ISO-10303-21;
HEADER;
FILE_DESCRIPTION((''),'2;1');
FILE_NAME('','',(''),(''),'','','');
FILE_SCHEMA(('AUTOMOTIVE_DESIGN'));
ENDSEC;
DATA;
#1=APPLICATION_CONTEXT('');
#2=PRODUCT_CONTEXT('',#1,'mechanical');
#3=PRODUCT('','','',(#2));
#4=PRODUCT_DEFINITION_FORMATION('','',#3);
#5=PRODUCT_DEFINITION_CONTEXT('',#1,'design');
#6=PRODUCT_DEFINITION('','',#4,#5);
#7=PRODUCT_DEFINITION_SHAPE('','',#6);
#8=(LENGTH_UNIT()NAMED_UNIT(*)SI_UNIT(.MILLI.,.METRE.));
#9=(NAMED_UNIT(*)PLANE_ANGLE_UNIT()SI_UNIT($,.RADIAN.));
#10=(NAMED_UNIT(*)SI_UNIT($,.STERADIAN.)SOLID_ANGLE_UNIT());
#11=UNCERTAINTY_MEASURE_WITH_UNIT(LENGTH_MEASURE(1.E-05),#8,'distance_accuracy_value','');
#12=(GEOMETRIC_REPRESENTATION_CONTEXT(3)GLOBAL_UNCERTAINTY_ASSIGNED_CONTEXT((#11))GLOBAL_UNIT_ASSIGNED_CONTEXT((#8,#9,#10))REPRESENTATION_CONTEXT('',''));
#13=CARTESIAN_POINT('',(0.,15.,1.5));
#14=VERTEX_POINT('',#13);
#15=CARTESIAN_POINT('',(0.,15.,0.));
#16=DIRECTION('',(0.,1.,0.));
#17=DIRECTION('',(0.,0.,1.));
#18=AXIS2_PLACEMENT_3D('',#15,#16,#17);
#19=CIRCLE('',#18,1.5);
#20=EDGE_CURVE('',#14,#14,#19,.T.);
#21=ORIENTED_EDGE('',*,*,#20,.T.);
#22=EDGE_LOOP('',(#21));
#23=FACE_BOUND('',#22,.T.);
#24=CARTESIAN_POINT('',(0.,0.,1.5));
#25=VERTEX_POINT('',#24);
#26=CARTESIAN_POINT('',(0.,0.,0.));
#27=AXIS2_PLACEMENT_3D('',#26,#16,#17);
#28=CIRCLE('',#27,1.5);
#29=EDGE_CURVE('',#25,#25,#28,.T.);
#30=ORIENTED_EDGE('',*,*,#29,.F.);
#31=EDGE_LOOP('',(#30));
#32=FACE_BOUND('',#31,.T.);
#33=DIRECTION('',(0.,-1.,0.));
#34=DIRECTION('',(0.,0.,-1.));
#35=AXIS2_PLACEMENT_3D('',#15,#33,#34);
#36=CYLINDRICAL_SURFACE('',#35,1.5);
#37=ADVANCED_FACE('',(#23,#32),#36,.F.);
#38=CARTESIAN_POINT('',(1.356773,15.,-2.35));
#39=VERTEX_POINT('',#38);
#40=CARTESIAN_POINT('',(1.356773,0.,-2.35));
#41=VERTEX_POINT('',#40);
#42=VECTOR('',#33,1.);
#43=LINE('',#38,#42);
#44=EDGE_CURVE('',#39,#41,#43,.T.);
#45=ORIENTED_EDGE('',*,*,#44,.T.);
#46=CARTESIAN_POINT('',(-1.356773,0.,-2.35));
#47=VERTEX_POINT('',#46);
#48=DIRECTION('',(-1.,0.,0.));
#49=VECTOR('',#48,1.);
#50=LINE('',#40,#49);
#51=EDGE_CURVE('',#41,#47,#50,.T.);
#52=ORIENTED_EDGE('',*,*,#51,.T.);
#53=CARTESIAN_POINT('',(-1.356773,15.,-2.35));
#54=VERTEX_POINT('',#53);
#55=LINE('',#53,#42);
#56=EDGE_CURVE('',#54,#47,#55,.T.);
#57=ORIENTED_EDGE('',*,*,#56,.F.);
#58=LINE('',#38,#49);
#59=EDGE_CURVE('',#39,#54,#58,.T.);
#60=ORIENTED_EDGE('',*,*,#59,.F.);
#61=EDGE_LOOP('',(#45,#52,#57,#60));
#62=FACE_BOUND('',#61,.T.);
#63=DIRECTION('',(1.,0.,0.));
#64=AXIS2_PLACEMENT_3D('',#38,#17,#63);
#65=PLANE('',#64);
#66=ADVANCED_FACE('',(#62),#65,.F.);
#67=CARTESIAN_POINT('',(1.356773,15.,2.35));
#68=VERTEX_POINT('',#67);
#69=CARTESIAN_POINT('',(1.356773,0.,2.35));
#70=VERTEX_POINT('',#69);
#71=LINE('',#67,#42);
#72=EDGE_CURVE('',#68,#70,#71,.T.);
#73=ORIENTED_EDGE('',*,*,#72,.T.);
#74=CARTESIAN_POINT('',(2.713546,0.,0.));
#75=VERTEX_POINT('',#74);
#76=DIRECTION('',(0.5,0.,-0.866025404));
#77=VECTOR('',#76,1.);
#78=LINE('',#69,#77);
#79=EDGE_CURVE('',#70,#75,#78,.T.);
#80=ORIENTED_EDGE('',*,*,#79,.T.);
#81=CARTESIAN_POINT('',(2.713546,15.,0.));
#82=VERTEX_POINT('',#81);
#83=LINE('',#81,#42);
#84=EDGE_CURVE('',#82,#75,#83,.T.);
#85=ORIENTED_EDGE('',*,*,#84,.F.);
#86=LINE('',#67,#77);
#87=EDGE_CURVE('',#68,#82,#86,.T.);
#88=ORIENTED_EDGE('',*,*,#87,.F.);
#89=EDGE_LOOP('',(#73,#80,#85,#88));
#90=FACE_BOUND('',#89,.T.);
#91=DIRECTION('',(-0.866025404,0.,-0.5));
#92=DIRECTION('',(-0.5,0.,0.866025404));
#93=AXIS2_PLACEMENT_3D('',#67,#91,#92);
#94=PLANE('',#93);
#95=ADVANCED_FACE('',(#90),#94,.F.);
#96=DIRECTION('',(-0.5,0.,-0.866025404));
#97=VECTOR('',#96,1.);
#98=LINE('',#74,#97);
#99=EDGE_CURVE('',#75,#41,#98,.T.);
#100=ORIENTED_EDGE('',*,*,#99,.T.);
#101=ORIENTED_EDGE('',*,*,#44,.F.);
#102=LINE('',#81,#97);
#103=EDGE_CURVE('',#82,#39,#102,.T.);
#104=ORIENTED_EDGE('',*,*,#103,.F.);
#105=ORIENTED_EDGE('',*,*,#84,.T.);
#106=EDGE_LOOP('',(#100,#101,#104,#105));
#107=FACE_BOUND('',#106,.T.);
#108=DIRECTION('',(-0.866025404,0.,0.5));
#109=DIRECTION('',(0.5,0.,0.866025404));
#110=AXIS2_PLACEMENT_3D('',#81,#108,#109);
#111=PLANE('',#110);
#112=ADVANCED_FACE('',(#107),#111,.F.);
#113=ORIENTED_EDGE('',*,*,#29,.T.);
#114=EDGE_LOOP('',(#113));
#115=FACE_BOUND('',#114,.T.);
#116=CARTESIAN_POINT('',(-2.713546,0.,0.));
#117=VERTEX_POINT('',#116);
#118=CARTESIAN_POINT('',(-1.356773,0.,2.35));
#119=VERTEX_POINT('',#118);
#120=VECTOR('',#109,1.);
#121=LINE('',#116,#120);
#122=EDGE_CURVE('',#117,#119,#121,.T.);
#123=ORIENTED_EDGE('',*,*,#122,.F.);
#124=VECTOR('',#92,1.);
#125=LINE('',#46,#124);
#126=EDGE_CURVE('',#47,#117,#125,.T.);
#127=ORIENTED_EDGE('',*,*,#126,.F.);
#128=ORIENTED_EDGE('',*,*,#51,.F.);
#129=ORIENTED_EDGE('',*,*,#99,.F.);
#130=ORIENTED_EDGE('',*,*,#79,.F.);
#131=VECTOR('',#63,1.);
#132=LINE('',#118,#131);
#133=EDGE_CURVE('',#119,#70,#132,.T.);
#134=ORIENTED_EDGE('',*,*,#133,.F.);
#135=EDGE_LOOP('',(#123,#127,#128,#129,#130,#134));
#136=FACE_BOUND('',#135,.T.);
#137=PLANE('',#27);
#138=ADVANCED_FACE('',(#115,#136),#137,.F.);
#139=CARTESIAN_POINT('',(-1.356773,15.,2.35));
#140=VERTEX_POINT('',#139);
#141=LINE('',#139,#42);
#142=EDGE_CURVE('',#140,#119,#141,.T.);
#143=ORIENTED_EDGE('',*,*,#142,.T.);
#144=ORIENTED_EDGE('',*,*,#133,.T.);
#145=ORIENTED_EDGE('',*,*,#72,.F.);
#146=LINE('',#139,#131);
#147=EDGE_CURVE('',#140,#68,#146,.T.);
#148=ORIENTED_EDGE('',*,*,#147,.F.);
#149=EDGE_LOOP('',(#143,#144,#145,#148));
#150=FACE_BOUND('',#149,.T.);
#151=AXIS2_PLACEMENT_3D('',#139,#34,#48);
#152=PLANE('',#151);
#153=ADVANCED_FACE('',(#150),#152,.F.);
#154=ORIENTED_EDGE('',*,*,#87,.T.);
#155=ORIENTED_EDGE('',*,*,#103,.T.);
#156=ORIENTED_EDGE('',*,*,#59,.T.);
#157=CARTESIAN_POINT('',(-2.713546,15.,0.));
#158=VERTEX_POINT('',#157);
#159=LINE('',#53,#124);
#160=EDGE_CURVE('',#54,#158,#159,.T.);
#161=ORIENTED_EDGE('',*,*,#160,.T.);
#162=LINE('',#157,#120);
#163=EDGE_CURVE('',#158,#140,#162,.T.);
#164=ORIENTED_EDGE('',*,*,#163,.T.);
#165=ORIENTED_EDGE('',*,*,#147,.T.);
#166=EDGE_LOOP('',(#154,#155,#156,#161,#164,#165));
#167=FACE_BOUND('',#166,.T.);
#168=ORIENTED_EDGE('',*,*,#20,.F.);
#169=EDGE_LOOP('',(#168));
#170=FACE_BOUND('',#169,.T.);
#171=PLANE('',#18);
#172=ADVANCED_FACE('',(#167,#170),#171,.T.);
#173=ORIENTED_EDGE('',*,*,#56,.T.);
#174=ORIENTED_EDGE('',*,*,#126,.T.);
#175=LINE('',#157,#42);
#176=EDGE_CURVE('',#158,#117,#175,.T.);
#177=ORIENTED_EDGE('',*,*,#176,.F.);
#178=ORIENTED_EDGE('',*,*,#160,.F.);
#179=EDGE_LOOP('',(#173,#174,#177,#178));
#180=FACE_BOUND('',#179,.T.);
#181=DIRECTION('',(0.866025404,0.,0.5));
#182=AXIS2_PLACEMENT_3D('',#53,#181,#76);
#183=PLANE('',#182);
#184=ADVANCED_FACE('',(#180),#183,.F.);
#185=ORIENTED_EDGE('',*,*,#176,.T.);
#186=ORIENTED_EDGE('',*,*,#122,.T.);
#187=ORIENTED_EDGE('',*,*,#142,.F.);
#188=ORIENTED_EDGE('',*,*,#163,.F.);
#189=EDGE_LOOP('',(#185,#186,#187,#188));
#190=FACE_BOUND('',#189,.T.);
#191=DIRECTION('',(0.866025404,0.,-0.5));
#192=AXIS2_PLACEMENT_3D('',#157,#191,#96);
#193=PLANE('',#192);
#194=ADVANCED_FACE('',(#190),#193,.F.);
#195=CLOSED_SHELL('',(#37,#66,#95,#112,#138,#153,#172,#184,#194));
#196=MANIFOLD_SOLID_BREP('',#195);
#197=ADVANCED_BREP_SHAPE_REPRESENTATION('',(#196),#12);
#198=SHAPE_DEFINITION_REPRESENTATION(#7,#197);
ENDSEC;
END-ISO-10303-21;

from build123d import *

# Parameters (mm, degrees)
SKETCH_1_R      = 1.5
EXTRUDE_2_DEPTH = 15


with BuildPart() as part:
    # 草图1 → 凸台-拉伸2 (new body)
    with BuildSketch(Plane(origin=(0, 0, 0), x_dir=(1, 0, 0), z_dir=(0, 1, 0))):
        Polygon((2.713546265, 0), (1.356773133, 2.35), (-1.356773133, 2.35), (-2.713546265, 0), (-1.356773133, -2.35), (1.356773133, -2.35), align=None)
        with Locations(Location((0, 0, 0), (0, 0, 270))):
            Circle(SKETCH_1_R, mode=Mode.SUBTRACT)
    extrude(amount=EXTRUDE_2_DEPTH)


solid = part.part
